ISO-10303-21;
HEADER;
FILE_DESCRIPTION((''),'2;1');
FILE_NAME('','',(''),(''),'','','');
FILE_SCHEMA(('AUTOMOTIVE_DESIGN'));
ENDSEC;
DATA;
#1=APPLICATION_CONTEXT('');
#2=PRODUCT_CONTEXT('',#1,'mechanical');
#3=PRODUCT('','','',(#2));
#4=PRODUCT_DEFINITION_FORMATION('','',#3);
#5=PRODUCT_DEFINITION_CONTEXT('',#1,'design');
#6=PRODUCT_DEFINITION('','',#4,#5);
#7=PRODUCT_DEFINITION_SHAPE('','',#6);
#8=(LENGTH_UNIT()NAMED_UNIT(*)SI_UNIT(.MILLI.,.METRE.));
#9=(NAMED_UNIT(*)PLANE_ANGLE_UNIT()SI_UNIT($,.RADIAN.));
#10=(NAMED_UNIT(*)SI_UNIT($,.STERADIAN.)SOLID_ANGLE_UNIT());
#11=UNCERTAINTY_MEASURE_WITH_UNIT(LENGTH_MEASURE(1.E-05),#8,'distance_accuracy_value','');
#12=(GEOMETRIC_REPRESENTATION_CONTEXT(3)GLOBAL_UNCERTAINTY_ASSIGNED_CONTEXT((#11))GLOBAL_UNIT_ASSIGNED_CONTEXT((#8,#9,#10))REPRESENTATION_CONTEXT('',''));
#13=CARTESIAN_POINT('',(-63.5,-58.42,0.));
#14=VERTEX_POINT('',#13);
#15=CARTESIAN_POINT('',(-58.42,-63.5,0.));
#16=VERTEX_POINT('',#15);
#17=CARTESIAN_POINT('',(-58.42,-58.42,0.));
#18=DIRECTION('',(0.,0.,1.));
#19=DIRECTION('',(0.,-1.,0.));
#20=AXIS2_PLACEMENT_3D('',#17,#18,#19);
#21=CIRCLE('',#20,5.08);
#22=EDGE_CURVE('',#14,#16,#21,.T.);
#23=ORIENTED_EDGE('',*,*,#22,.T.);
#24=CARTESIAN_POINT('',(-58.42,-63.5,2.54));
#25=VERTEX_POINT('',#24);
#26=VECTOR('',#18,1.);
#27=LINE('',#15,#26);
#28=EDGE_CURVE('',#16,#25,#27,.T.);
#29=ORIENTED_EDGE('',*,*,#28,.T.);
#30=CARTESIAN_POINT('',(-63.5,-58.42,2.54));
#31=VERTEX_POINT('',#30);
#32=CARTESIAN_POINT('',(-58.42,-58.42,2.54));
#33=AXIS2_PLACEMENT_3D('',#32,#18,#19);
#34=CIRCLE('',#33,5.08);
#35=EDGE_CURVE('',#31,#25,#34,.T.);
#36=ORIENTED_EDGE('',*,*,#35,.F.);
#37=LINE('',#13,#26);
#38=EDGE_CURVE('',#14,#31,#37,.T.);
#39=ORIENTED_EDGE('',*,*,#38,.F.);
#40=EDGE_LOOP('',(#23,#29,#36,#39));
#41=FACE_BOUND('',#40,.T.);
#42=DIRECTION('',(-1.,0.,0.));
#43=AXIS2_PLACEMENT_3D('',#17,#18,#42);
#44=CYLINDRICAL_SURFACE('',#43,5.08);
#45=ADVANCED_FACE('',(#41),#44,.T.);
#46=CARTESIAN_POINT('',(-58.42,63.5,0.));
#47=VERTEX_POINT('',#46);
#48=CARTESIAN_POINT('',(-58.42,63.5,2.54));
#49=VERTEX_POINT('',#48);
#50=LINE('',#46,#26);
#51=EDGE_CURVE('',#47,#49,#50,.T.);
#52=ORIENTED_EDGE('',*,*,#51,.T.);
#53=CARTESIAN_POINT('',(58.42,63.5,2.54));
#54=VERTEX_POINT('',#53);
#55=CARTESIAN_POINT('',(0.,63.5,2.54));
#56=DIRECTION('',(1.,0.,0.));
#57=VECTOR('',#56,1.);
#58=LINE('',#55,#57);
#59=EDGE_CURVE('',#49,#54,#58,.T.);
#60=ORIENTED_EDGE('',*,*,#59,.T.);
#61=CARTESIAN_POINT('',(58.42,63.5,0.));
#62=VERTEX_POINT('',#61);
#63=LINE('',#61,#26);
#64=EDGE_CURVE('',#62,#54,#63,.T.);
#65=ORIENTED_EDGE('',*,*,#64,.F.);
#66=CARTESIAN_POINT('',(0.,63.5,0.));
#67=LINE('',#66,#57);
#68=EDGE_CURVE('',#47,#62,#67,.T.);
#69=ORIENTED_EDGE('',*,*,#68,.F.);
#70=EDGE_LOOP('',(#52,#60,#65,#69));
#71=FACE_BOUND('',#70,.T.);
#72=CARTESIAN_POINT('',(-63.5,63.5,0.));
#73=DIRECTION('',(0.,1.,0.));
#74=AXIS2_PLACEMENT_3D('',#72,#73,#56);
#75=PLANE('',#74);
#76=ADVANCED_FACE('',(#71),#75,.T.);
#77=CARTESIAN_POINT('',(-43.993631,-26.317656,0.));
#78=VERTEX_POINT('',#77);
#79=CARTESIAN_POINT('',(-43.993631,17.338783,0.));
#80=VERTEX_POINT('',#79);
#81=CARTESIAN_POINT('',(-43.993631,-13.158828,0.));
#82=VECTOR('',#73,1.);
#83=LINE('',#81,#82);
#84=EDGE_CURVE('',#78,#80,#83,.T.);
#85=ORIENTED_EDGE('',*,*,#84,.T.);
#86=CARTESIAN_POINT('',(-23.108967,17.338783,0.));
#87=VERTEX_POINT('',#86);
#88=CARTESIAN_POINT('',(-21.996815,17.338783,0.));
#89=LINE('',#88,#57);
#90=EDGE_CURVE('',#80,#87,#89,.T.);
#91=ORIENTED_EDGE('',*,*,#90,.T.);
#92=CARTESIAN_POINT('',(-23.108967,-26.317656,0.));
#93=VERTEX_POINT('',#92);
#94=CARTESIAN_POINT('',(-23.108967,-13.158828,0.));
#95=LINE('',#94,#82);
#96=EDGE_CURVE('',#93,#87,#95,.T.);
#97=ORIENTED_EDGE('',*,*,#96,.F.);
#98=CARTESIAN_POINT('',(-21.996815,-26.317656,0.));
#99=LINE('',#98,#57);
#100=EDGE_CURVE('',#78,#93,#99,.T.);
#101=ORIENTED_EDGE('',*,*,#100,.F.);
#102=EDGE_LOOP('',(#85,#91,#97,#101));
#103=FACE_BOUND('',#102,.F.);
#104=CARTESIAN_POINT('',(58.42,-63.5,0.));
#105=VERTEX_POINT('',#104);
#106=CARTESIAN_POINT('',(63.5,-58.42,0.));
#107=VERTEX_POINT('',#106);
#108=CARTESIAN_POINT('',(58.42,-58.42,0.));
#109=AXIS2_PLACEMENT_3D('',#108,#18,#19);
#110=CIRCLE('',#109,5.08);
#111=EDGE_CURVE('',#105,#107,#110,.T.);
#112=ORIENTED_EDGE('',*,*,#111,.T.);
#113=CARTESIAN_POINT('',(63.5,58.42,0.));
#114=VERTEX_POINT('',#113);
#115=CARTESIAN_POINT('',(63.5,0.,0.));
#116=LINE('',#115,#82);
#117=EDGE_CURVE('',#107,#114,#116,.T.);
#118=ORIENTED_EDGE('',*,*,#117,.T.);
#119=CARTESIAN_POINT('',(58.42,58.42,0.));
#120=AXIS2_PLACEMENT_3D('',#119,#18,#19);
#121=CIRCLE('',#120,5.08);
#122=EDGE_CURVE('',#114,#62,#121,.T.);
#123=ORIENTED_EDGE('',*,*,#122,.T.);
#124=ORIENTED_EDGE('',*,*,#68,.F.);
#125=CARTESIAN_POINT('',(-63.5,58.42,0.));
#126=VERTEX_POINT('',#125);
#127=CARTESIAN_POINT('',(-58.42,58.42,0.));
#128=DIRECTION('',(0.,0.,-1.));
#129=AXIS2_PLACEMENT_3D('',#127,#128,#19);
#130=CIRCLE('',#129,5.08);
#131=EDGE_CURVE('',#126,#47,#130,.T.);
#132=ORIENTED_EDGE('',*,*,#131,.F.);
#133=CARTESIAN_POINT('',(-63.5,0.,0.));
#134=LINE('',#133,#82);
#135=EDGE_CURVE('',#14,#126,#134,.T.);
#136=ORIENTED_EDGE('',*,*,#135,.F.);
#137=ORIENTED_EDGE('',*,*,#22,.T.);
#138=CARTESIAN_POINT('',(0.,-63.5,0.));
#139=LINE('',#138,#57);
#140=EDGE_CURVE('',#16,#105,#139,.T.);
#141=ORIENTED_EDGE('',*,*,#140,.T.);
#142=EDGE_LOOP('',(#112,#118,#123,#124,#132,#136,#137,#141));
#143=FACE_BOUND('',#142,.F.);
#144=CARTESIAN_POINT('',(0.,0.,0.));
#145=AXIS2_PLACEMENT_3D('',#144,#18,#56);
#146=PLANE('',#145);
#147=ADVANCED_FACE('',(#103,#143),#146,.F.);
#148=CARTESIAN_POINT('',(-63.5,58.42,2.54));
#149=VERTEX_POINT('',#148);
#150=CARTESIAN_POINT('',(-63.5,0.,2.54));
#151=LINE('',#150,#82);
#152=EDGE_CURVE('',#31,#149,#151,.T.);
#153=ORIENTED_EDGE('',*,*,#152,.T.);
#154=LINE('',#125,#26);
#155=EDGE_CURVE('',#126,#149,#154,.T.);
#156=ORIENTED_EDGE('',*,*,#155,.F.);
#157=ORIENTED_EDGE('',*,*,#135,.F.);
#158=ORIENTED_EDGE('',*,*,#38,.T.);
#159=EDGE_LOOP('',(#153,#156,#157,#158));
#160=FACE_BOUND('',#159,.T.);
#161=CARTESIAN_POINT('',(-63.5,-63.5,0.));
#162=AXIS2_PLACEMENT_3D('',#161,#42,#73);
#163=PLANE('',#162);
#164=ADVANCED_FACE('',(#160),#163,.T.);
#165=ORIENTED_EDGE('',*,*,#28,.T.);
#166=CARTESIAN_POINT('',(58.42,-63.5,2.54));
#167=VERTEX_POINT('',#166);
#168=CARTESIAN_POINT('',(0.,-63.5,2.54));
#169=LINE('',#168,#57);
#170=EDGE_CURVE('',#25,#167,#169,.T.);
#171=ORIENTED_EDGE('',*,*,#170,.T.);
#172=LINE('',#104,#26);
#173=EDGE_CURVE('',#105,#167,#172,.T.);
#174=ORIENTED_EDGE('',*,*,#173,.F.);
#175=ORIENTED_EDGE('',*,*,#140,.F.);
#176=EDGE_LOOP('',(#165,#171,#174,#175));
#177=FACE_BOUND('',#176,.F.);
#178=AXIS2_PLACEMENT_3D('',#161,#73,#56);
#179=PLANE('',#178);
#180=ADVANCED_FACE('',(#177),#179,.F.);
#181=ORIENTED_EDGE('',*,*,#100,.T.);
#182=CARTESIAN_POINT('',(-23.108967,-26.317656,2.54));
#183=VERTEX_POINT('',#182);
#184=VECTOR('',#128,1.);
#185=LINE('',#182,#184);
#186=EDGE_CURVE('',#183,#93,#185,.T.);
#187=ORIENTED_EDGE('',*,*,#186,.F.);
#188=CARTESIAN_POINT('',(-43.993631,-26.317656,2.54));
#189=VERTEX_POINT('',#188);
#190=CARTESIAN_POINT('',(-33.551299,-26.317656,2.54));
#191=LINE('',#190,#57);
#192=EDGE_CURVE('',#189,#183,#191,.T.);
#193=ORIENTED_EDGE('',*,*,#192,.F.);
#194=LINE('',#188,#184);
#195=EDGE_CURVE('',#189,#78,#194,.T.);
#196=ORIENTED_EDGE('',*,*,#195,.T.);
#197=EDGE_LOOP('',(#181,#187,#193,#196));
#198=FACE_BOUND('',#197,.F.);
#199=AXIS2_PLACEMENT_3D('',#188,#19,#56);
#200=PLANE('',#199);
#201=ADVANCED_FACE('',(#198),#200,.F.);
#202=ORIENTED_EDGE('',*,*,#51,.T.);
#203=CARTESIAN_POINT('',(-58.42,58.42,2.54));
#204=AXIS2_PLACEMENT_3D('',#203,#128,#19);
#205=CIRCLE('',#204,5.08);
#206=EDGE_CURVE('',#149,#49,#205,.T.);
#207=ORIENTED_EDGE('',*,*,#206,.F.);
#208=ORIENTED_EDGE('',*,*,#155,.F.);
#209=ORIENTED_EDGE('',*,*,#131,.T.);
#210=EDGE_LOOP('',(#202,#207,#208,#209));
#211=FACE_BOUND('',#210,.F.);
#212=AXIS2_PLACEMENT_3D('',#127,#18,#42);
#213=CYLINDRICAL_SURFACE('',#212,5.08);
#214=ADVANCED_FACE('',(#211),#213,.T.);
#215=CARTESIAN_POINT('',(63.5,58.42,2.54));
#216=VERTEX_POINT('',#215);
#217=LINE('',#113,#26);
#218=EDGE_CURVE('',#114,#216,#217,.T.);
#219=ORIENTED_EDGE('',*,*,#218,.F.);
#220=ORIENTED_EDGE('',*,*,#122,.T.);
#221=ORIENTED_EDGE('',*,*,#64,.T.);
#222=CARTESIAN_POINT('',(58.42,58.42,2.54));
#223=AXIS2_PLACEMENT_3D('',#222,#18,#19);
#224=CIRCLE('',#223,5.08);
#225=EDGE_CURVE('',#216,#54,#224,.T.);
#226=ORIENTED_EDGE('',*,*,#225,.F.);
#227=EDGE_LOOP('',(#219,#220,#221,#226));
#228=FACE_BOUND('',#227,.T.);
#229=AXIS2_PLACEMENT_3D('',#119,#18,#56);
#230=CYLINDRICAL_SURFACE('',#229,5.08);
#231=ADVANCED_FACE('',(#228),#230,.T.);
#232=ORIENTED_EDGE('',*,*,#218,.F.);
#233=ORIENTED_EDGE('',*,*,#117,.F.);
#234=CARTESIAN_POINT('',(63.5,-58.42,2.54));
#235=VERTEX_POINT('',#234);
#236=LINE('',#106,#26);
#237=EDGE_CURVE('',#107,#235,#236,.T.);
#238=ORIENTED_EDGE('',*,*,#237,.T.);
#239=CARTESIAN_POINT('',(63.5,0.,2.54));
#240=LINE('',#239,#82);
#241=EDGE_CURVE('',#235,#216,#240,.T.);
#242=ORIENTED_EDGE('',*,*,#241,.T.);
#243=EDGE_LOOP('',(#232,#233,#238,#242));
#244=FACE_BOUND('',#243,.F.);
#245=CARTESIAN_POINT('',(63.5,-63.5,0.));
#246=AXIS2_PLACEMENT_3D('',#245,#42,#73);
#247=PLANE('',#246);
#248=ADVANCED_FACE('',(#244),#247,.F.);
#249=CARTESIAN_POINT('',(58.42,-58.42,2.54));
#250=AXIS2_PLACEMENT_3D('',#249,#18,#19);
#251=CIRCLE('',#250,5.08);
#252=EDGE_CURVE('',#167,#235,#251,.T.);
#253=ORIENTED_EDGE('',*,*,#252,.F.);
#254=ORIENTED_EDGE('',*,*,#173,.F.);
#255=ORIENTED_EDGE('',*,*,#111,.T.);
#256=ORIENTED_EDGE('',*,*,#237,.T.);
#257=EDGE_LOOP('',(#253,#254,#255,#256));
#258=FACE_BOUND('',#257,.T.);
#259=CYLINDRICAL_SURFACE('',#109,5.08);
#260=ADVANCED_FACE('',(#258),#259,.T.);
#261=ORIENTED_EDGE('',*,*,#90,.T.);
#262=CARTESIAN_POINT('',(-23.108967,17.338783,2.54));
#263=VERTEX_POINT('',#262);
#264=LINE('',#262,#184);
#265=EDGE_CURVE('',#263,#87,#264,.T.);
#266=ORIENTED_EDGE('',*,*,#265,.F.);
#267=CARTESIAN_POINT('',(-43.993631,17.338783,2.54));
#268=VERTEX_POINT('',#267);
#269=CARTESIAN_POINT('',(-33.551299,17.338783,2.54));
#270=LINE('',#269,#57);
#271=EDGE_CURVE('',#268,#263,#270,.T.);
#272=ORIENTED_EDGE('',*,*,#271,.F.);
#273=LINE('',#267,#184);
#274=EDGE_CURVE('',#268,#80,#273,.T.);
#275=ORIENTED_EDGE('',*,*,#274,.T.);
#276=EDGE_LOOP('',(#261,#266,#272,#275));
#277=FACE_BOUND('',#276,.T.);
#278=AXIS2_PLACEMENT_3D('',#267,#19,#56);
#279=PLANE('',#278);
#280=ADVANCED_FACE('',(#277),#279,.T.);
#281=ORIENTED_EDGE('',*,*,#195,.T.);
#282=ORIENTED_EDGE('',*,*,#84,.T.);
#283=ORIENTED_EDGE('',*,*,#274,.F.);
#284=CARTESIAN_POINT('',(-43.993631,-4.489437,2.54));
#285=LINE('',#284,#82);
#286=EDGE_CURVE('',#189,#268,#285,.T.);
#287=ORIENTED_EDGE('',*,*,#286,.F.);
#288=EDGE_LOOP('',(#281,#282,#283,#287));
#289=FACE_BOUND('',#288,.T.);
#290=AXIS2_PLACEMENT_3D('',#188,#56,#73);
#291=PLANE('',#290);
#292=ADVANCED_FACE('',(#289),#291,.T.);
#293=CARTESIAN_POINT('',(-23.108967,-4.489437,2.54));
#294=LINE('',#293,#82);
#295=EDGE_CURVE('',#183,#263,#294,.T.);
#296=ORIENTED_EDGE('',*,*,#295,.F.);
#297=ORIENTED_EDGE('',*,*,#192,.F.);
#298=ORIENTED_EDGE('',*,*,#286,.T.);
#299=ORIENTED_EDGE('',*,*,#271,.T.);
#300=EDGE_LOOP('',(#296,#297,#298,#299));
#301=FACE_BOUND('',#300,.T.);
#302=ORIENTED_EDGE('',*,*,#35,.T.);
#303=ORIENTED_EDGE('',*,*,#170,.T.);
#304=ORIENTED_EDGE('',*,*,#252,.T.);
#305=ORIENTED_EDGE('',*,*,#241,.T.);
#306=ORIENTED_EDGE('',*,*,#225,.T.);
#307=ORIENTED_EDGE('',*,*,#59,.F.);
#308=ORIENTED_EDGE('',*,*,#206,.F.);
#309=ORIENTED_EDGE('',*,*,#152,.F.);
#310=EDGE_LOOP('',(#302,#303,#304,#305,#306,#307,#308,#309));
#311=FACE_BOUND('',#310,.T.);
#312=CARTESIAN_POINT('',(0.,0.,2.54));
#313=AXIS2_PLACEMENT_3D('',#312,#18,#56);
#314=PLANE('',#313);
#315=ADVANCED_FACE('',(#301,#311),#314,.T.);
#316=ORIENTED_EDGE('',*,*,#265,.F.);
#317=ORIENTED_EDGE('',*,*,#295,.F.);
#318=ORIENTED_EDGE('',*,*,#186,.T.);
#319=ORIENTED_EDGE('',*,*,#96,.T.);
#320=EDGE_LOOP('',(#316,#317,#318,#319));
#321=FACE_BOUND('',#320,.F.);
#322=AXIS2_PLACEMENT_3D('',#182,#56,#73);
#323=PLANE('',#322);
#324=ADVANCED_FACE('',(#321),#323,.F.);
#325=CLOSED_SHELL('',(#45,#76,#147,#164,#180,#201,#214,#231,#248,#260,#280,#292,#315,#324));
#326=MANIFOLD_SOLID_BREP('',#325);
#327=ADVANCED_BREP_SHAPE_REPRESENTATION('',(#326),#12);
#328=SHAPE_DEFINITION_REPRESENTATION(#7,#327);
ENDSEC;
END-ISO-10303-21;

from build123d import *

# Parameters (mm, degrees)
F0_W     = 127
F0_H     = 127
F1_DEPTH = 2.54
F2_R     = 5.08
F3_W     = 20.884663
F3_H     = 43.656439
F4_DEPTH = 25.4


with BuildPart() as f1:
    # F0 (on Top) → F1 (new body)
    with BuildSketch(Plane.XY):
        Rectangle(F0_W, F0_H)
    extrude(amount=F1_DEPTH)

    # F2
    f2_edges = [f1.edges().sort_by_distance(p)[0] for p in [
        (63.5, -63.5, 1.27),
        (63.5, 63.5, 1.27),
        (-63.5, 63.5, 1.27),
        (-63.5, -63.5, 1.27),
    ]]
    fillet(f2_edges, radius=F2_R)

    # F3 (on face) → F4 (cut)
    with BuildSketch(Plane.XY.offset(2.54)):
        with Locations((-33.551299, -4.489437)):
            Rectangle(F3_W, F3_H)
    extrude(amount=-F4_DEPTH, mode=Mode.SUBTRACT)


solid = f1.part
